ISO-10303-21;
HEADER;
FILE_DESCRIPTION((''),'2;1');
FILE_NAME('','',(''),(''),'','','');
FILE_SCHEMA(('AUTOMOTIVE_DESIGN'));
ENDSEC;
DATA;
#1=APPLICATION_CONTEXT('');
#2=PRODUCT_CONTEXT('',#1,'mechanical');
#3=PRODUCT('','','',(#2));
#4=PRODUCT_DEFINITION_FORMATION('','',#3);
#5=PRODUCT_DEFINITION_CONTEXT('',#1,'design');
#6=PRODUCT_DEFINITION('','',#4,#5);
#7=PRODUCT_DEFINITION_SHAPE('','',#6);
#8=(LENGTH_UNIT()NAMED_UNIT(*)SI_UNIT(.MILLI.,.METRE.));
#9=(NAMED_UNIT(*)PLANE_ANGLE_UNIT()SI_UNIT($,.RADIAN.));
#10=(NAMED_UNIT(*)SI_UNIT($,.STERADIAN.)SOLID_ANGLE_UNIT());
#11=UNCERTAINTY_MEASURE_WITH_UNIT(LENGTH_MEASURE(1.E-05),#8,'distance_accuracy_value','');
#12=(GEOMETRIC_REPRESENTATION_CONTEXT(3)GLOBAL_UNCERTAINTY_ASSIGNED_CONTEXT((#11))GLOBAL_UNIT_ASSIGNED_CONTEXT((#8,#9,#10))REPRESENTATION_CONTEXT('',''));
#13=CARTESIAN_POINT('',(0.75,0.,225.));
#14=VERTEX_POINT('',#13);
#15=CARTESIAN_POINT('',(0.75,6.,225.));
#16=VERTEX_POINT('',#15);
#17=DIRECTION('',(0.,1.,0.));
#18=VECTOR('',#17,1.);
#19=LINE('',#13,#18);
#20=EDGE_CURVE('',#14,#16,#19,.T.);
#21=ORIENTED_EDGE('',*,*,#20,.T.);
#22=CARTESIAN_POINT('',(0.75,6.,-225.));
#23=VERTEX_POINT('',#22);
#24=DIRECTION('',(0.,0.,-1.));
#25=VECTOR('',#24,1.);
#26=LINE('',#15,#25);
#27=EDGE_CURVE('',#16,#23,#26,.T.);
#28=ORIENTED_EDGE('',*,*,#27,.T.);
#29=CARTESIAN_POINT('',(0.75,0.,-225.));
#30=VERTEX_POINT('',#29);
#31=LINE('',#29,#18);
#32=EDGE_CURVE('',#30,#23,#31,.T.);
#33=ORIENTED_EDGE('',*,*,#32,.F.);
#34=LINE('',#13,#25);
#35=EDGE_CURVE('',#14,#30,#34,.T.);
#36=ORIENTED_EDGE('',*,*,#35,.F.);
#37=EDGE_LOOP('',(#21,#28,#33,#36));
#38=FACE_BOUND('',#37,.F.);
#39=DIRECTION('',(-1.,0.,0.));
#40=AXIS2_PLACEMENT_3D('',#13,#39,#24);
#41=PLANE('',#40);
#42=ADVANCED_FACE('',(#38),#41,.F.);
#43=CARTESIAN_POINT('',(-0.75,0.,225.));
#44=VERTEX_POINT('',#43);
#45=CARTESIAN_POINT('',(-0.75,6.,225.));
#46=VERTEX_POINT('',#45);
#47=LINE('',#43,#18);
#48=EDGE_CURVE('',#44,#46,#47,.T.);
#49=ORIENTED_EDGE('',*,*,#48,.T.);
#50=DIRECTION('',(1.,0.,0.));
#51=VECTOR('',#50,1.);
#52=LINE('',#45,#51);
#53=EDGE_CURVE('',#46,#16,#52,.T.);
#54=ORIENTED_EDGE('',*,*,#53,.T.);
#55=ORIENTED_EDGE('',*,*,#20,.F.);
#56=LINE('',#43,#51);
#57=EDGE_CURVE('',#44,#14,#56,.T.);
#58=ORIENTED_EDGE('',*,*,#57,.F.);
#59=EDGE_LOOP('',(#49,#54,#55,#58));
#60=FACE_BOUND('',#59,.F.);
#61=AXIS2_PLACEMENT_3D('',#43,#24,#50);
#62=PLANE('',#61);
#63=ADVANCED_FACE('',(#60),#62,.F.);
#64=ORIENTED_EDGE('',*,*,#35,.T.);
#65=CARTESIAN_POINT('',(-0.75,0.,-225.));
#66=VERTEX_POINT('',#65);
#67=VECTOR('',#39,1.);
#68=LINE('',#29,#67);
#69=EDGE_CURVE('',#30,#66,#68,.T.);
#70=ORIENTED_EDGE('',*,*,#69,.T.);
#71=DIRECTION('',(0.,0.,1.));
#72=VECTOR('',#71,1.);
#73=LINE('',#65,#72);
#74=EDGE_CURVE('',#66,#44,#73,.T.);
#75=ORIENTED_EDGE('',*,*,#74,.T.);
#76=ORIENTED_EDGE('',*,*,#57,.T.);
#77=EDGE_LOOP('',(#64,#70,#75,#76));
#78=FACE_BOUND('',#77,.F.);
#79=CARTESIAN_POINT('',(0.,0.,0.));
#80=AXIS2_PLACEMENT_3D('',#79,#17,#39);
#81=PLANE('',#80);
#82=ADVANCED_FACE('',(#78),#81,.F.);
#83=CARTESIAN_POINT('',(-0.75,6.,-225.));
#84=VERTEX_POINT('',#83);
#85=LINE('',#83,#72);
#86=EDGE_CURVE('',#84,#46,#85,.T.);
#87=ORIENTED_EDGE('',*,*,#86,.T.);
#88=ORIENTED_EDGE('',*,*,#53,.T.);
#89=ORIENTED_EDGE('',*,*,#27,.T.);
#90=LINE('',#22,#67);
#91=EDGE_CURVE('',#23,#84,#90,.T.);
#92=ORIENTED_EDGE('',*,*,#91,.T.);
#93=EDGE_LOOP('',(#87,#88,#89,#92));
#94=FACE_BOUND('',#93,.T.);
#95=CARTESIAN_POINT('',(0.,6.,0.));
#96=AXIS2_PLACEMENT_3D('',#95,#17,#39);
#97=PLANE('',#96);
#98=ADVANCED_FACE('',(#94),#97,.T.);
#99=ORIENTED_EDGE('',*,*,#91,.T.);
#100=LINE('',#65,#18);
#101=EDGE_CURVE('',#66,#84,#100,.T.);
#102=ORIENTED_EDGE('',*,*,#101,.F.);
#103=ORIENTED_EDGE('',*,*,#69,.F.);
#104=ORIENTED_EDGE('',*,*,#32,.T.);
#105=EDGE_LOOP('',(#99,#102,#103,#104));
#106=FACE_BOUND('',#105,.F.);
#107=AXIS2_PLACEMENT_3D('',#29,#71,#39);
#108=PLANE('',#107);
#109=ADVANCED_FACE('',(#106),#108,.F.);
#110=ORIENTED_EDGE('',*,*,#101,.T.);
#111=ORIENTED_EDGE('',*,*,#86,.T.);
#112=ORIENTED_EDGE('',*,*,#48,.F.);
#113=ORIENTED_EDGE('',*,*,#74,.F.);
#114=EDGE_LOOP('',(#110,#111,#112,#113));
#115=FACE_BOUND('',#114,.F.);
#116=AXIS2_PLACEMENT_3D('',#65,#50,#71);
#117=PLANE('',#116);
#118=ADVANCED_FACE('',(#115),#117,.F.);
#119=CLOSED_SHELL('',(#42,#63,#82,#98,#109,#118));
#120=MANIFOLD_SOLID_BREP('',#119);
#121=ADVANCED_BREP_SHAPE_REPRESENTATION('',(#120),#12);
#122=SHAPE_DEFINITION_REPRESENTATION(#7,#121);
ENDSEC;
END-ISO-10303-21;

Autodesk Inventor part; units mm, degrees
ref_plane "YZ Plane" through (0, 0, 0) normal (1, 0, 0) x (0, 1, 0)
ref_plane "XZ Plane" through (0, 0, 0) normal (0, 1, 0) x (-1, 0, 0)
ref_plane "XY Plane" through (0, 0, 0) normal (0, 0, 1) x (1, 0, 0)
sketch "Skizze1" plane through (0, 0, 0) normal (0, 1, 0) x (-1, 0, 0)
  line L0 (-0.75, -225) -> (0.75, -225)
  line L1 (0.75, -225) -> (0.75, 225)
  line L2 (0.75, 225) -> (-0.75, 225)
  line L3 (-0.75, 225) -> (-0.75, -225)
  line L4 (-0.75, -225) -> (0.75, 225) construction
  line L5 (0.75, -225) -> (-0.75, 225) construction
  point P0 (0, 0)
  dimension "d0" = 1.5
  dimension "d1" = 450
extrude "Extrusion1" add sketch "Skizze1" along normal blind 6
properties part number "20_Belt_450mm"
